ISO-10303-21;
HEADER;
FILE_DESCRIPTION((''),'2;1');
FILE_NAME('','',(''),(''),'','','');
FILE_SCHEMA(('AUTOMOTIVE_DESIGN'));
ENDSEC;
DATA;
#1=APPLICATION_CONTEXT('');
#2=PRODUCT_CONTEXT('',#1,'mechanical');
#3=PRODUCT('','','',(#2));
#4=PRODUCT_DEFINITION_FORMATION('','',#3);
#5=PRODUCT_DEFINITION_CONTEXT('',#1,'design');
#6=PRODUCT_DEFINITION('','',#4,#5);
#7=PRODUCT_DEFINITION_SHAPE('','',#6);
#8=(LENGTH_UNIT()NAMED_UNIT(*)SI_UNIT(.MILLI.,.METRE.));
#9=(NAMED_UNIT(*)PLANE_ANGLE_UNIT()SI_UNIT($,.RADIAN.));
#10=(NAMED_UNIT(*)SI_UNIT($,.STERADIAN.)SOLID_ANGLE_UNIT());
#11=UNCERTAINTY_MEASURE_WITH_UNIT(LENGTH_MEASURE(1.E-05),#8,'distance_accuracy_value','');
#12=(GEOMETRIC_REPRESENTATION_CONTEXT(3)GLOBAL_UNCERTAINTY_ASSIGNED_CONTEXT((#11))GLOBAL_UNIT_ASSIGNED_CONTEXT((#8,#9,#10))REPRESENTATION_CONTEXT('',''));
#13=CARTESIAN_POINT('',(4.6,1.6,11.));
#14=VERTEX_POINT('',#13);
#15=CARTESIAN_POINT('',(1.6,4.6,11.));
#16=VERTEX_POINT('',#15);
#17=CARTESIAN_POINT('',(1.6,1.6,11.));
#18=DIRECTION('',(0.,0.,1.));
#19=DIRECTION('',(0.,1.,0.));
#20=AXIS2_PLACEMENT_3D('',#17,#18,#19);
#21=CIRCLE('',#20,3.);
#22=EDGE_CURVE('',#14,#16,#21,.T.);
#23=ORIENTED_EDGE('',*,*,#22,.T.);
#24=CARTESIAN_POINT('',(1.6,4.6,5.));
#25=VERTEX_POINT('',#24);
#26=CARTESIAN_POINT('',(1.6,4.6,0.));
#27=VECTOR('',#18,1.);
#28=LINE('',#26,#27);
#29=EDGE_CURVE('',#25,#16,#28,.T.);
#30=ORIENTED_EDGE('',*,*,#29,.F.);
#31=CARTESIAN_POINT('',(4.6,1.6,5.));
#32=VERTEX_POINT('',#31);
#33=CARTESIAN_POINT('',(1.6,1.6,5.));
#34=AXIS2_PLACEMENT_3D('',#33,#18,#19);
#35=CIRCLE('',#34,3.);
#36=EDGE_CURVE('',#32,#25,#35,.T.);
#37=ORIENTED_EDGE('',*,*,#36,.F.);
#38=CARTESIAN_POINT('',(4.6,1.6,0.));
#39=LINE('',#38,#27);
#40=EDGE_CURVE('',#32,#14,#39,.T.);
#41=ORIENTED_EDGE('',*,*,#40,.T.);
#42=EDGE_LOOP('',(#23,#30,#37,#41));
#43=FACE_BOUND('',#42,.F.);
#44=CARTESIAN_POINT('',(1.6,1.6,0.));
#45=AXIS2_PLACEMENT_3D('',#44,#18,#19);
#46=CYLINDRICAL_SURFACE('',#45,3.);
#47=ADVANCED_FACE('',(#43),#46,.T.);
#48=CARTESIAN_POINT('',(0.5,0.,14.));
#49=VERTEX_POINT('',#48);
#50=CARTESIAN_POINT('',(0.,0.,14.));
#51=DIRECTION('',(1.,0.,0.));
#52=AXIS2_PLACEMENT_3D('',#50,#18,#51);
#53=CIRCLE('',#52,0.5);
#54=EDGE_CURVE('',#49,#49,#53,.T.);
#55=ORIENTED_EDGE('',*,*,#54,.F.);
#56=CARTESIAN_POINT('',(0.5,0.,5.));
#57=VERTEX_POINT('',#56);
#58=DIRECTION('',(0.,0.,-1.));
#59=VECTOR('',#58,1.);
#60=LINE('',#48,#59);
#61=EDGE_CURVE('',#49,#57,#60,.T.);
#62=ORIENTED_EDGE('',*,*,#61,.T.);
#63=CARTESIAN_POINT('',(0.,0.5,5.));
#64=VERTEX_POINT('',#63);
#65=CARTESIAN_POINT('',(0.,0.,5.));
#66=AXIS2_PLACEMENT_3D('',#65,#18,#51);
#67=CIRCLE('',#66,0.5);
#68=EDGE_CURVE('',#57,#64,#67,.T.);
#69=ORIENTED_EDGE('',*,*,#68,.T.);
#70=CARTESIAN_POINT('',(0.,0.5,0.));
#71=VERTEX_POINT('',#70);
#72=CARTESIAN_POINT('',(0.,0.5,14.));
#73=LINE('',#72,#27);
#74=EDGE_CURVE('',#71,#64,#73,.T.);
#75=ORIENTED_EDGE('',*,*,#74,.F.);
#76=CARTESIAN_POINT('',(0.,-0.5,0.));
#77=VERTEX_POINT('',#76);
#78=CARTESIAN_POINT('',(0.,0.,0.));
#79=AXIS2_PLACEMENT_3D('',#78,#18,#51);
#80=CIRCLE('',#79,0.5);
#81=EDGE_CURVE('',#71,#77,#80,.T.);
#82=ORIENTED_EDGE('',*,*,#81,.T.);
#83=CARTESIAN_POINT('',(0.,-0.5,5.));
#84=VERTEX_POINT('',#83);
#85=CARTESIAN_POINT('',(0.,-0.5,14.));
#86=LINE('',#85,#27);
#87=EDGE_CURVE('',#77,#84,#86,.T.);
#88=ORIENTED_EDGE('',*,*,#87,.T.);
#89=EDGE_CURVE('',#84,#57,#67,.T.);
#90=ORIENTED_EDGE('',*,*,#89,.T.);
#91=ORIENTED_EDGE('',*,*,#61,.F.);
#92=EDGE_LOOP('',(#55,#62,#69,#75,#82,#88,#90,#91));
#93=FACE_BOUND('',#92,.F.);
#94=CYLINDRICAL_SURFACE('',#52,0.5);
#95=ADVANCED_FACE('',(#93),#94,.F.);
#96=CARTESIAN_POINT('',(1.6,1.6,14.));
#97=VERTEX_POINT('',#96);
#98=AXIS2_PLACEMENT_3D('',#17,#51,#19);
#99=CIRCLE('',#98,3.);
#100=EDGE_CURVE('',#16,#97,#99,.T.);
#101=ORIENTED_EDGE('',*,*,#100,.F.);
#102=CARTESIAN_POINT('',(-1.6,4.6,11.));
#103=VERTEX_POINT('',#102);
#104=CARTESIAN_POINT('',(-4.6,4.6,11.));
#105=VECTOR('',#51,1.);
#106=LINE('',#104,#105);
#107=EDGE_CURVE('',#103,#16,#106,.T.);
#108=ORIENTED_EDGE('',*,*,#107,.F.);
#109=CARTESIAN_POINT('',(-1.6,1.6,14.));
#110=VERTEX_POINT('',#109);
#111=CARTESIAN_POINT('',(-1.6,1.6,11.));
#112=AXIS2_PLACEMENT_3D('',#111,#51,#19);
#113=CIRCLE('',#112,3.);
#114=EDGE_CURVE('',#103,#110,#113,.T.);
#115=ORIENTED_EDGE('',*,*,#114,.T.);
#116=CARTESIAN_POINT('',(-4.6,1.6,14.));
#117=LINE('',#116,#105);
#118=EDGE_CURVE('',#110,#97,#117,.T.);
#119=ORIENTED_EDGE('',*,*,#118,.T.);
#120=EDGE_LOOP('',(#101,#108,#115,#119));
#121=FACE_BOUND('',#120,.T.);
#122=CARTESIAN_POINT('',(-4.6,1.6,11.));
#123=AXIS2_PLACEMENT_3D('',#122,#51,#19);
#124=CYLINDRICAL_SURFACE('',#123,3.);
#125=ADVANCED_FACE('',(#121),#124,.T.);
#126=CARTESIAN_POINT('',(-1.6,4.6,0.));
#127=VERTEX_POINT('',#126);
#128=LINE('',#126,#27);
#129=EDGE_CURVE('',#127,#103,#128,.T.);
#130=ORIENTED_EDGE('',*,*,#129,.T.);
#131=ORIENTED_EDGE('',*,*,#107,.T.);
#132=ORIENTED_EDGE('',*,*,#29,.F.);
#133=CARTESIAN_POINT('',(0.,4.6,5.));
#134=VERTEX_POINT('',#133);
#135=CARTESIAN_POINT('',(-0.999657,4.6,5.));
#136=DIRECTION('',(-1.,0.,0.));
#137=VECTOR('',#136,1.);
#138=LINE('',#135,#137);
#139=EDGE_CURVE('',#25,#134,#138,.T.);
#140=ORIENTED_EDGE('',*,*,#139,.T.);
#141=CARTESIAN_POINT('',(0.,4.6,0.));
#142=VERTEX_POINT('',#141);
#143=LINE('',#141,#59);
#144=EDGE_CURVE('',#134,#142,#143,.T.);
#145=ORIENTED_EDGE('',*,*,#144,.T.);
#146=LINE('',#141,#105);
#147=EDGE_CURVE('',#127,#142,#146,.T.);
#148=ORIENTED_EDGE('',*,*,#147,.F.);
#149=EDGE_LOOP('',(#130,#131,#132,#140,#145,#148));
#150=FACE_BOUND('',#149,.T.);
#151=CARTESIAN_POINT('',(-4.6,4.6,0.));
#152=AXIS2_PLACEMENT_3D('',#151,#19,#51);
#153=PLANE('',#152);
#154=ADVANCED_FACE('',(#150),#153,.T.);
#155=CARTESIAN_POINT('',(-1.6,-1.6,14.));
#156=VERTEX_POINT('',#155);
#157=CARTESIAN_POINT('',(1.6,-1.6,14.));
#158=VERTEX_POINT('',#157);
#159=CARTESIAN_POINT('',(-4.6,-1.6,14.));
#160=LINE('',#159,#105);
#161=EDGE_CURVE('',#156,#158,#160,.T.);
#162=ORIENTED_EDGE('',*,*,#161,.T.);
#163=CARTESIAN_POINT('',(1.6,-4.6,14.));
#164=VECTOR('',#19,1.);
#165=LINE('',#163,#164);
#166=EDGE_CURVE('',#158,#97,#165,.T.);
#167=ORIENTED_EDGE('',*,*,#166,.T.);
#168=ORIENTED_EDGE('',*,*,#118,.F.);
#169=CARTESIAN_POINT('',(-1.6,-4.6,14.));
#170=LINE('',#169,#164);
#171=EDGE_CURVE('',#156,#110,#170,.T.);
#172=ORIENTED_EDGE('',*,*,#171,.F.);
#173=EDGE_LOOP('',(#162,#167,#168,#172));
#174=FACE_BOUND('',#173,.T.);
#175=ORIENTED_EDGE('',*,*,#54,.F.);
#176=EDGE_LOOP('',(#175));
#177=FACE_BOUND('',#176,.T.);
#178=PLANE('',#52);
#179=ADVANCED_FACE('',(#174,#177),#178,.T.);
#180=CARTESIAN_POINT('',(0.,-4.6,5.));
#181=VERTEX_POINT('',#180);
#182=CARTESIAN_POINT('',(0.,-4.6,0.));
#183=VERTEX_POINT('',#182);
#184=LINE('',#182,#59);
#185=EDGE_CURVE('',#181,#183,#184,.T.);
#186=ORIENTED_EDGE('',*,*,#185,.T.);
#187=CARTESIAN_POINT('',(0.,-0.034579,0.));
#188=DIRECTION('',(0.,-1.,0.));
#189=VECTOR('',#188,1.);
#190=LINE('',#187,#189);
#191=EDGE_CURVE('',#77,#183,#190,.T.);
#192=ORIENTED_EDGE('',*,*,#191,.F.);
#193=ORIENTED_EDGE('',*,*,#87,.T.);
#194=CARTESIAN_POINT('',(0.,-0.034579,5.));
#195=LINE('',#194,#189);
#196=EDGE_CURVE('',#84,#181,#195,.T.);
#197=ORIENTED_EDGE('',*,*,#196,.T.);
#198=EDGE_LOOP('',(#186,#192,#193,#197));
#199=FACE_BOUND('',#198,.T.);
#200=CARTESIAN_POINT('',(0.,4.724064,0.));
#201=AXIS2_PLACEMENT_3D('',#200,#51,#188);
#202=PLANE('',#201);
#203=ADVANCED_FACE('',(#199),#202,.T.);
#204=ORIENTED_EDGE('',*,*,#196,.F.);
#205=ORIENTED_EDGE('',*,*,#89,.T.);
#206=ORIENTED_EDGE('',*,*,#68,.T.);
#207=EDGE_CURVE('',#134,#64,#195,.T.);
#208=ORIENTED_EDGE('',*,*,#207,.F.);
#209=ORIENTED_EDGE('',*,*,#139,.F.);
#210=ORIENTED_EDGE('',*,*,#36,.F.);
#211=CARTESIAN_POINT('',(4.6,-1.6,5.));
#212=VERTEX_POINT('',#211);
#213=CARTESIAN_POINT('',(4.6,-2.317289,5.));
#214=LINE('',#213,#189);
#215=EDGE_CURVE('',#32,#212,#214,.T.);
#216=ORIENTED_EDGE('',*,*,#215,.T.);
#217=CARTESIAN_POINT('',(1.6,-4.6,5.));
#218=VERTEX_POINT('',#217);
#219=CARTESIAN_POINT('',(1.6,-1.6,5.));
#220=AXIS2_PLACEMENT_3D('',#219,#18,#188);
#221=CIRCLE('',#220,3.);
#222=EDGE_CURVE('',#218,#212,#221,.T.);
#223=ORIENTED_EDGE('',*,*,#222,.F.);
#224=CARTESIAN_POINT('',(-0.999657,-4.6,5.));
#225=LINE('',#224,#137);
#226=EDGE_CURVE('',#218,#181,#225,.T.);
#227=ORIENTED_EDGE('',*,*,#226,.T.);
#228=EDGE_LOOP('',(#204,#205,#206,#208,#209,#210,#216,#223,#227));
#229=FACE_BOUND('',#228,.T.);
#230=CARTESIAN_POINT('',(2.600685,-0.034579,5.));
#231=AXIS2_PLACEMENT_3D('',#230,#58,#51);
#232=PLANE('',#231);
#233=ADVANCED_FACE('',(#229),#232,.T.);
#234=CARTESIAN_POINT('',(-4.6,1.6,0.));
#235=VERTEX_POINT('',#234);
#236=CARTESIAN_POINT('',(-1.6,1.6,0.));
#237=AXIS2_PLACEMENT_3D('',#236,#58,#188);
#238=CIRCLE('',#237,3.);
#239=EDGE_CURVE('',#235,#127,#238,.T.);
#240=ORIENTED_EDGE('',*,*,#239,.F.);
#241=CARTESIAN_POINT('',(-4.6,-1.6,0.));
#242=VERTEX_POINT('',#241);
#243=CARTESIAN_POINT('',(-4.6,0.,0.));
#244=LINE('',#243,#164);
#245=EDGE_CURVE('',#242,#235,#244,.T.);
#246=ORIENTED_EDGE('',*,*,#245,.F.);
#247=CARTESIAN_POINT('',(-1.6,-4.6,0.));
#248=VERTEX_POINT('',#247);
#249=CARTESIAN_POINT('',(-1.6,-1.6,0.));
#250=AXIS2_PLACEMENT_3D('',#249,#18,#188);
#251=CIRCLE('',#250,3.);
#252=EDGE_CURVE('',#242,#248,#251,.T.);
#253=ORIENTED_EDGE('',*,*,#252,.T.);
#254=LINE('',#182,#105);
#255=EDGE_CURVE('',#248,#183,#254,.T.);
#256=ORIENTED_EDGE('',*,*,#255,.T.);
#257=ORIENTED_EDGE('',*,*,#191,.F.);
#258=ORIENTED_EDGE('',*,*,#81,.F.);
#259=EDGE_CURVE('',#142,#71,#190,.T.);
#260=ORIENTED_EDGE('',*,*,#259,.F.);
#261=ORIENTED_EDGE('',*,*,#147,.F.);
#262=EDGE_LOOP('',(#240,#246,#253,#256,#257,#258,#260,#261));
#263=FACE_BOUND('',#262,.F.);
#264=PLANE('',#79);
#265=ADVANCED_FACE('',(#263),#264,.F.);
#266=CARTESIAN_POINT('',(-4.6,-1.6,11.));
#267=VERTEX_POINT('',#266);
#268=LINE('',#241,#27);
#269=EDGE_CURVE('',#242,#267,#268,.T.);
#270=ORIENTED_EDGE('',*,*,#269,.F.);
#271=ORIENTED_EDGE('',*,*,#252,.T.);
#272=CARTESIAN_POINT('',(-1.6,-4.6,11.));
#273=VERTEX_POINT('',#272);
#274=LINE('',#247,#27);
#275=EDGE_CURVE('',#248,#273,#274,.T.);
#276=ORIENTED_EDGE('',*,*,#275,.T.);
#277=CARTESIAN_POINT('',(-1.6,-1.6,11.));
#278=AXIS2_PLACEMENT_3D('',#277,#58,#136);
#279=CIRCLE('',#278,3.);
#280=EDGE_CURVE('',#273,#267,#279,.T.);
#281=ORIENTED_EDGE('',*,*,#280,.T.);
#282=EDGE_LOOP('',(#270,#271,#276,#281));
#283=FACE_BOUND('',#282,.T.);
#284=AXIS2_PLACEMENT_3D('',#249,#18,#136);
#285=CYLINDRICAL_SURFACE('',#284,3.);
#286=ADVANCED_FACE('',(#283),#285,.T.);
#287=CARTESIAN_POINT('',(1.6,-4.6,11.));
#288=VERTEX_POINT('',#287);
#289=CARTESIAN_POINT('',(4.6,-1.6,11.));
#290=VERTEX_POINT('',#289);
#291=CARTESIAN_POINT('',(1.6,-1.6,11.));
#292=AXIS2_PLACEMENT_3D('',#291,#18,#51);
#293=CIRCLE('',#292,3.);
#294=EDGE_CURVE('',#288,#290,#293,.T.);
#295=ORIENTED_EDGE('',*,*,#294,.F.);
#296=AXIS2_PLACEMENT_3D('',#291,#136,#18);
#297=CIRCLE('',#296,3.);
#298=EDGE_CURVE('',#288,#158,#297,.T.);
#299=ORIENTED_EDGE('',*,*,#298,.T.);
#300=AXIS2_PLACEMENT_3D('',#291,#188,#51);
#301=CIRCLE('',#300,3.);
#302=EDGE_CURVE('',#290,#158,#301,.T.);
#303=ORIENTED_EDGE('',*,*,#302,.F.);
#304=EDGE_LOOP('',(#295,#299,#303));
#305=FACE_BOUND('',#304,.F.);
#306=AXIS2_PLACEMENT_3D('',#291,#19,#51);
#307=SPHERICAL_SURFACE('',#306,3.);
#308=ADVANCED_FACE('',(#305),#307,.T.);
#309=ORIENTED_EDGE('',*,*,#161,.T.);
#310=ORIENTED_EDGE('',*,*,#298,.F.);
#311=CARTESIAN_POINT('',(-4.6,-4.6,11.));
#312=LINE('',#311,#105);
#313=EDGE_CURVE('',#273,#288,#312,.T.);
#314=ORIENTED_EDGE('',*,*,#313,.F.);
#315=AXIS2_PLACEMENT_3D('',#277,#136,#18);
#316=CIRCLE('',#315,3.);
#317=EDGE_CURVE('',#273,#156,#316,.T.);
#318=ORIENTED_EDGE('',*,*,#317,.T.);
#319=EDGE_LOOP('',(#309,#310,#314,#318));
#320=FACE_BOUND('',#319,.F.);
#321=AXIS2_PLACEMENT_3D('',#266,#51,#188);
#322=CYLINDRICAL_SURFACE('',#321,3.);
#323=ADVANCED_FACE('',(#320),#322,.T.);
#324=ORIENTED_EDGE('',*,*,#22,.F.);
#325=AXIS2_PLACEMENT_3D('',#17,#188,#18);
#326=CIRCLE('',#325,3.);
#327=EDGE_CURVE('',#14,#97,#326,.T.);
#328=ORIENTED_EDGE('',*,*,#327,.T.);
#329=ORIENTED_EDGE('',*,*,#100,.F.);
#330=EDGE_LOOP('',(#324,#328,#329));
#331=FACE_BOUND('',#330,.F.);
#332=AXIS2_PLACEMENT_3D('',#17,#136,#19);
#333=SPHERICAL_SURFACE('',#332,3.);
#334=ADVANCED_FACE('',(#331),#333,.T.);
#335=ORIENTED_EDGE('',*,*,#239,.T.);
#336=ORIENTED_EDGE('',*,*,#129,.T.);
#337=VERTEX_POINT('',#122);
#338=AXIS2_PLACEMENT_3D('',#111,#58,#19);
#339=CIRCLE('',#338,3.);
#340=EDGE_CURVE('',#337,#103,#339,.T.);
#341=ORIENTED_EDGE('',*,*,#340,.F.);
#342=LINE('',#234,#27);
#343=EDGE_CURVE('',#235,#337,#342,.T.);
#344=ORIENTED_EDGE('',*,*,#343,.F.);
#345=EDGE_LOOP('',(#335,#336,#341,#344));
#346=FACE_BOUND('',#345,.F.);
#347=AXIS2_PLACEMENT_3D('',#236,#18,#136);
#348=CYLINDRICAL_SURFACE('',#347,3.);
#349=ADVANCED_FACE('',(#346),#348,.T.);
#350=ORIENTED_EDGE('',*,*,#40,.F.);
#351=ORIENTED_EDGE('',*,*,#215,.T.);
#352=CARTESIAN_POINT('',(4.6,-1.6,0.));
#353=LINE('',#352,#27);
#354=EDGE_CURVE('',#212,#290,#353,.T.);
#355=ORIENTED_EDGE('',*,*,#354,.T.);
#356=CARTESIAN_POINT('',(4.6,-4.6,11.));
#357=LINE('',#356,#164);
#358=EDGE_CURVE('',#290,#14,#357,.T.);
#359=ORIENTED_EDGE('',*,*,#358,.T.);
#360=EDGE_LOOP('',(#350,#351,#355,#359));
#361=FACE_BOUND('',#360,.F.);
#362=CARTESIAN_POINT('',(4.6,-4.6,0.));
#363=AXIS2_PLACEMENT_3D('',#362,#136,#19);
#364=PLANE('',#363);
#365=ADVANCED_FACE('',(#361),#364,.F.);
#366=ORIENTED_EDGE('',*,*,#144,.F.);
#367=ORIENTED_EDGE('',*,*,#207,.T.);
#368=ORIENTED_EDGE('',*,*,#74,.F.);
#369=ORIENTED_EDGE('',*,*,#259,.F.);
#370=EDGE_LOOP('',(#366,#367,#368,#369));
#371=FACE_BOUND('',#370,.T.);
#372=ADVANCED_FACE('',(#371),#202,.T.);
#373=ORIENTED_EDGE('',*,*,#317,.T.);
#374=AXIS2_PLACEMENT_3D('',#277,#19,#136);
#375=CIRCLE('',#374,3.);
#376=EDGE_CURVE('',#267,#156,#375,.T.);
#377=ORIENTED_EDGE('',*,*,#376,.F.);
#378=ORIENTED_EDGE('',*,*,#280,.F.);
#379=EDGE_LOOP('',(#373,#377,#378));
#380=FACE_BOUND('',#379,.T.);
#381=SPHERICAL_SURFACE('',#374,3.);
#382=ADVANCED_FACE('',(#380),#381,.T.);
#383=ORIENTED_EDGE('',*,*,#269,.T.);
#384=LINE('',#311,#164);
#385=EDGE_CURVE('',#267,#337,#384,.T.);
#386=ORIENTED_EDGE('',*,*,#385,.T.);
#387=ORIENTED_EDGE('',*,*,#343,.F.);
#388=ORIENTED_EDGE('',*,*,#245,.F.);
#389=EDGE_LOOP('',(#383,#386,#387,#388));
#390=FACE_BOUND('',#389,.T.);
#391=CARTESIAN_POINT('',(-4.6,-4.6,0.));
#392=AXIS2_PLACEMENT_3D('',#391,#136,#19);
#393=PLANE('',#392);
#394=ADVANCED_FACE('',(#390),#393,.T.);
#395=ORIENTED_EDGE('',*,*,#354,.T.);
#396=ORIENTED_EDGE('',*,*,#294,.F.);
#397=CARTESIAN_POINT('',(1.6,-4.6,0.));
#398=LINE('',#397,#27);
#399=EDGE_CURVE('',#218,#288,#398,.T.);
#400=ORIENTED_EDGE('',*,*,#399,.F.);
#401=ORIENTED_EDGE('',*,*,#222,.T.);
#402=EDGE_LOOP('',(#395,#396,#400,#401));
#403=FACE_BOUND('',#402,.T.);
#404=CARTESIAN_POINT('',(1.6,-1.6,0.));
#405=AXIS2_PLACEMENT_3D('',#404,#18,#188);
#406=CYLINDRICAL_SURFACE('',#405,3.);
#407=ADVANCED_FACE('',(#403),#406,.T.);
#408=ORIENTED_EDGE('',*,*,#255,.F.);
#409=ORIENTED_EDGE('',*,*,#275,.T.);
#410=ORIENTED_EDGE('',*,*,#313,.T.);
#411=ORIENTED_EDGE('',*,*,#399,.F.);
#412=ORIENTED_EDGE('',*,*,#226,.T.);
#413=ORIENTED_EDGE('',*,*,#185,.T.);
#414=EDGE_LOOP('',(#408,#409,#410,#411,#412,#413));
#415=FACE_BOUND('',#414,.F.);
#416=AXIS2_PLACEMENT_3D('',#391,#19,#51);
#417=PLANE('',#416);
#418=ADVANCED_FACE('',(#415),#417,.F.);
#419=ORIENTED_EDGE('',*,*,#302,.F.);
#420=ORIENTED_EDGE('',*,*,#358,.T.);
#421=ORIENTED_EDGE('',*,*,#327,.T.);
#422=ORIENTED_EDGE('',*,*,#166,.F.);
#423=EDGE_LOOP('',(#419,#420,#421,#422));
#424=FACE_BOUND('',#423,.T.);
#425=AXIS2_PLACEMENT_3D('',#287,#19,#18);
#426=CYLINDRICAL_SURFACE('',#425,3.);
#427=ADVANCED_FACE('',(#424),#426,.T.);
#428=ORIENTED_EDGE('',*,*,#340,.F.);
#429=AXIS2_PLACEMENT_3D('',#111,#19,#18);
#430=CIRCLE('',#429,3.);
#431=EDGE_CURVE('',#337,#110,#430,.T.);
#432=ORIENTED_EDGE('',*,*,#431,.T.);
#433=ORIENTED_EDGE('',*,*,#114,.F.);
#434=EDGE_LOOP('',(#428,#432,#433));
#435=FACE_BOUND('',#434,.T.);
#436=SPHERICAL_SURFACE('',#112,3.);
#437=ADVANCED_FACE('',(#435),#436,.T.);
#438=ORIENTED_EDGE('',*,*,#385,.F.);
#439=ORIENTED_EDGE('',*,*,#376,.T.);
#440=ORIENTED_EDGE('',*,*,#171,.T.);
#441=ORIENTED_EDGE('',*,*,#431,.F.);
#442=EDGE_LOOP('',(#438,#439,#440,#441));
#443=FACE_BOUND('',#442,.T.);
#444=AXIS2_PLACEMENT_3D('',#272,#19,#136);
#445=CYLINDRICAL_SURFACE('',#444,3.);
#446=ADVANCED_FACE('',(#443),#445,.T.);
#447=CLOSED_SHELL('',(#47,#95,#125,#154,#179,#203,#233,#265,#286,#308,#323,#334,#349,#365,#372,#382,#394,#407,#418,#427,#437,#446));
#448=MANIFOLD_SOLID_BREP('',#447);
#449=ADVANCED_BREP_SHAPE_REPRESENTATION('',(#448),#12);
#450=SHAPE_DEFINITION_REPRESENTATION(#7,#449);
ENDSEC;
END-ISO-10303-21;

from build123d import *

# Parameters (mm, degrees)
SKETCH_W        = 9.2
SKETCH_H        = 9.2
PAD_DEPTH       = 14
SKETCH001_R     = 0.5
POCKET_DEPTH    = 14.001
FILLET_R        = 3
SKETCH002_W     = 5.20137
SKETCH002_H     = 9.517286
POCKET001_DEPTH = 5


with BuildPart() as part:
    # Sketch → Pad (new body)
    with BuildSketch(Plane.XY):
        Rectangle(SKETCH_W, SKETCH_H)
    extrude(amount=PAD_DEPTH)

    # Sketch001 (on Face6 of Pad) → Pocket (cut, through all)
    with BuildSketch(Plane.XY.offset(14)):
        Circle(SKETCH001_R)
    extrude(amount=-POCKET_DEPTH, mode=Mode.SUBTRACT)

    # Fillet
    fillet_edges = [part.edges().sort_by_distance(p)[0] for p in [
        (0, 4.6, 14),
        (4.6, 4.6, 7),
        (4.6, 0, 14),
        (-4.6, 4.6, 7),
        (-4.6, 0, 14),
        (4.6, -4.6, 7),
        (-4.6, -4.6, 7),
        (0, -4.6, 14),
    ]]
    fillet(fillet_edges, radius=FILLET_R)

    # Sketch002 (on Face2 of Fillet) → Pocket001 (cut)
    with BuildSketch(Plane(origin=(0, 0, 0), x_dir=(1, 0, 0), z_dir=(0, 0, -1))):
        with Locations((2.600685, 0.034579)):
            Rectangle(SKETCH002_W, SKETCH002_H)
    extrude(amount=-POCKET001_DEPTH, mode=Mode.SUBTRACT)


solid = part.part
